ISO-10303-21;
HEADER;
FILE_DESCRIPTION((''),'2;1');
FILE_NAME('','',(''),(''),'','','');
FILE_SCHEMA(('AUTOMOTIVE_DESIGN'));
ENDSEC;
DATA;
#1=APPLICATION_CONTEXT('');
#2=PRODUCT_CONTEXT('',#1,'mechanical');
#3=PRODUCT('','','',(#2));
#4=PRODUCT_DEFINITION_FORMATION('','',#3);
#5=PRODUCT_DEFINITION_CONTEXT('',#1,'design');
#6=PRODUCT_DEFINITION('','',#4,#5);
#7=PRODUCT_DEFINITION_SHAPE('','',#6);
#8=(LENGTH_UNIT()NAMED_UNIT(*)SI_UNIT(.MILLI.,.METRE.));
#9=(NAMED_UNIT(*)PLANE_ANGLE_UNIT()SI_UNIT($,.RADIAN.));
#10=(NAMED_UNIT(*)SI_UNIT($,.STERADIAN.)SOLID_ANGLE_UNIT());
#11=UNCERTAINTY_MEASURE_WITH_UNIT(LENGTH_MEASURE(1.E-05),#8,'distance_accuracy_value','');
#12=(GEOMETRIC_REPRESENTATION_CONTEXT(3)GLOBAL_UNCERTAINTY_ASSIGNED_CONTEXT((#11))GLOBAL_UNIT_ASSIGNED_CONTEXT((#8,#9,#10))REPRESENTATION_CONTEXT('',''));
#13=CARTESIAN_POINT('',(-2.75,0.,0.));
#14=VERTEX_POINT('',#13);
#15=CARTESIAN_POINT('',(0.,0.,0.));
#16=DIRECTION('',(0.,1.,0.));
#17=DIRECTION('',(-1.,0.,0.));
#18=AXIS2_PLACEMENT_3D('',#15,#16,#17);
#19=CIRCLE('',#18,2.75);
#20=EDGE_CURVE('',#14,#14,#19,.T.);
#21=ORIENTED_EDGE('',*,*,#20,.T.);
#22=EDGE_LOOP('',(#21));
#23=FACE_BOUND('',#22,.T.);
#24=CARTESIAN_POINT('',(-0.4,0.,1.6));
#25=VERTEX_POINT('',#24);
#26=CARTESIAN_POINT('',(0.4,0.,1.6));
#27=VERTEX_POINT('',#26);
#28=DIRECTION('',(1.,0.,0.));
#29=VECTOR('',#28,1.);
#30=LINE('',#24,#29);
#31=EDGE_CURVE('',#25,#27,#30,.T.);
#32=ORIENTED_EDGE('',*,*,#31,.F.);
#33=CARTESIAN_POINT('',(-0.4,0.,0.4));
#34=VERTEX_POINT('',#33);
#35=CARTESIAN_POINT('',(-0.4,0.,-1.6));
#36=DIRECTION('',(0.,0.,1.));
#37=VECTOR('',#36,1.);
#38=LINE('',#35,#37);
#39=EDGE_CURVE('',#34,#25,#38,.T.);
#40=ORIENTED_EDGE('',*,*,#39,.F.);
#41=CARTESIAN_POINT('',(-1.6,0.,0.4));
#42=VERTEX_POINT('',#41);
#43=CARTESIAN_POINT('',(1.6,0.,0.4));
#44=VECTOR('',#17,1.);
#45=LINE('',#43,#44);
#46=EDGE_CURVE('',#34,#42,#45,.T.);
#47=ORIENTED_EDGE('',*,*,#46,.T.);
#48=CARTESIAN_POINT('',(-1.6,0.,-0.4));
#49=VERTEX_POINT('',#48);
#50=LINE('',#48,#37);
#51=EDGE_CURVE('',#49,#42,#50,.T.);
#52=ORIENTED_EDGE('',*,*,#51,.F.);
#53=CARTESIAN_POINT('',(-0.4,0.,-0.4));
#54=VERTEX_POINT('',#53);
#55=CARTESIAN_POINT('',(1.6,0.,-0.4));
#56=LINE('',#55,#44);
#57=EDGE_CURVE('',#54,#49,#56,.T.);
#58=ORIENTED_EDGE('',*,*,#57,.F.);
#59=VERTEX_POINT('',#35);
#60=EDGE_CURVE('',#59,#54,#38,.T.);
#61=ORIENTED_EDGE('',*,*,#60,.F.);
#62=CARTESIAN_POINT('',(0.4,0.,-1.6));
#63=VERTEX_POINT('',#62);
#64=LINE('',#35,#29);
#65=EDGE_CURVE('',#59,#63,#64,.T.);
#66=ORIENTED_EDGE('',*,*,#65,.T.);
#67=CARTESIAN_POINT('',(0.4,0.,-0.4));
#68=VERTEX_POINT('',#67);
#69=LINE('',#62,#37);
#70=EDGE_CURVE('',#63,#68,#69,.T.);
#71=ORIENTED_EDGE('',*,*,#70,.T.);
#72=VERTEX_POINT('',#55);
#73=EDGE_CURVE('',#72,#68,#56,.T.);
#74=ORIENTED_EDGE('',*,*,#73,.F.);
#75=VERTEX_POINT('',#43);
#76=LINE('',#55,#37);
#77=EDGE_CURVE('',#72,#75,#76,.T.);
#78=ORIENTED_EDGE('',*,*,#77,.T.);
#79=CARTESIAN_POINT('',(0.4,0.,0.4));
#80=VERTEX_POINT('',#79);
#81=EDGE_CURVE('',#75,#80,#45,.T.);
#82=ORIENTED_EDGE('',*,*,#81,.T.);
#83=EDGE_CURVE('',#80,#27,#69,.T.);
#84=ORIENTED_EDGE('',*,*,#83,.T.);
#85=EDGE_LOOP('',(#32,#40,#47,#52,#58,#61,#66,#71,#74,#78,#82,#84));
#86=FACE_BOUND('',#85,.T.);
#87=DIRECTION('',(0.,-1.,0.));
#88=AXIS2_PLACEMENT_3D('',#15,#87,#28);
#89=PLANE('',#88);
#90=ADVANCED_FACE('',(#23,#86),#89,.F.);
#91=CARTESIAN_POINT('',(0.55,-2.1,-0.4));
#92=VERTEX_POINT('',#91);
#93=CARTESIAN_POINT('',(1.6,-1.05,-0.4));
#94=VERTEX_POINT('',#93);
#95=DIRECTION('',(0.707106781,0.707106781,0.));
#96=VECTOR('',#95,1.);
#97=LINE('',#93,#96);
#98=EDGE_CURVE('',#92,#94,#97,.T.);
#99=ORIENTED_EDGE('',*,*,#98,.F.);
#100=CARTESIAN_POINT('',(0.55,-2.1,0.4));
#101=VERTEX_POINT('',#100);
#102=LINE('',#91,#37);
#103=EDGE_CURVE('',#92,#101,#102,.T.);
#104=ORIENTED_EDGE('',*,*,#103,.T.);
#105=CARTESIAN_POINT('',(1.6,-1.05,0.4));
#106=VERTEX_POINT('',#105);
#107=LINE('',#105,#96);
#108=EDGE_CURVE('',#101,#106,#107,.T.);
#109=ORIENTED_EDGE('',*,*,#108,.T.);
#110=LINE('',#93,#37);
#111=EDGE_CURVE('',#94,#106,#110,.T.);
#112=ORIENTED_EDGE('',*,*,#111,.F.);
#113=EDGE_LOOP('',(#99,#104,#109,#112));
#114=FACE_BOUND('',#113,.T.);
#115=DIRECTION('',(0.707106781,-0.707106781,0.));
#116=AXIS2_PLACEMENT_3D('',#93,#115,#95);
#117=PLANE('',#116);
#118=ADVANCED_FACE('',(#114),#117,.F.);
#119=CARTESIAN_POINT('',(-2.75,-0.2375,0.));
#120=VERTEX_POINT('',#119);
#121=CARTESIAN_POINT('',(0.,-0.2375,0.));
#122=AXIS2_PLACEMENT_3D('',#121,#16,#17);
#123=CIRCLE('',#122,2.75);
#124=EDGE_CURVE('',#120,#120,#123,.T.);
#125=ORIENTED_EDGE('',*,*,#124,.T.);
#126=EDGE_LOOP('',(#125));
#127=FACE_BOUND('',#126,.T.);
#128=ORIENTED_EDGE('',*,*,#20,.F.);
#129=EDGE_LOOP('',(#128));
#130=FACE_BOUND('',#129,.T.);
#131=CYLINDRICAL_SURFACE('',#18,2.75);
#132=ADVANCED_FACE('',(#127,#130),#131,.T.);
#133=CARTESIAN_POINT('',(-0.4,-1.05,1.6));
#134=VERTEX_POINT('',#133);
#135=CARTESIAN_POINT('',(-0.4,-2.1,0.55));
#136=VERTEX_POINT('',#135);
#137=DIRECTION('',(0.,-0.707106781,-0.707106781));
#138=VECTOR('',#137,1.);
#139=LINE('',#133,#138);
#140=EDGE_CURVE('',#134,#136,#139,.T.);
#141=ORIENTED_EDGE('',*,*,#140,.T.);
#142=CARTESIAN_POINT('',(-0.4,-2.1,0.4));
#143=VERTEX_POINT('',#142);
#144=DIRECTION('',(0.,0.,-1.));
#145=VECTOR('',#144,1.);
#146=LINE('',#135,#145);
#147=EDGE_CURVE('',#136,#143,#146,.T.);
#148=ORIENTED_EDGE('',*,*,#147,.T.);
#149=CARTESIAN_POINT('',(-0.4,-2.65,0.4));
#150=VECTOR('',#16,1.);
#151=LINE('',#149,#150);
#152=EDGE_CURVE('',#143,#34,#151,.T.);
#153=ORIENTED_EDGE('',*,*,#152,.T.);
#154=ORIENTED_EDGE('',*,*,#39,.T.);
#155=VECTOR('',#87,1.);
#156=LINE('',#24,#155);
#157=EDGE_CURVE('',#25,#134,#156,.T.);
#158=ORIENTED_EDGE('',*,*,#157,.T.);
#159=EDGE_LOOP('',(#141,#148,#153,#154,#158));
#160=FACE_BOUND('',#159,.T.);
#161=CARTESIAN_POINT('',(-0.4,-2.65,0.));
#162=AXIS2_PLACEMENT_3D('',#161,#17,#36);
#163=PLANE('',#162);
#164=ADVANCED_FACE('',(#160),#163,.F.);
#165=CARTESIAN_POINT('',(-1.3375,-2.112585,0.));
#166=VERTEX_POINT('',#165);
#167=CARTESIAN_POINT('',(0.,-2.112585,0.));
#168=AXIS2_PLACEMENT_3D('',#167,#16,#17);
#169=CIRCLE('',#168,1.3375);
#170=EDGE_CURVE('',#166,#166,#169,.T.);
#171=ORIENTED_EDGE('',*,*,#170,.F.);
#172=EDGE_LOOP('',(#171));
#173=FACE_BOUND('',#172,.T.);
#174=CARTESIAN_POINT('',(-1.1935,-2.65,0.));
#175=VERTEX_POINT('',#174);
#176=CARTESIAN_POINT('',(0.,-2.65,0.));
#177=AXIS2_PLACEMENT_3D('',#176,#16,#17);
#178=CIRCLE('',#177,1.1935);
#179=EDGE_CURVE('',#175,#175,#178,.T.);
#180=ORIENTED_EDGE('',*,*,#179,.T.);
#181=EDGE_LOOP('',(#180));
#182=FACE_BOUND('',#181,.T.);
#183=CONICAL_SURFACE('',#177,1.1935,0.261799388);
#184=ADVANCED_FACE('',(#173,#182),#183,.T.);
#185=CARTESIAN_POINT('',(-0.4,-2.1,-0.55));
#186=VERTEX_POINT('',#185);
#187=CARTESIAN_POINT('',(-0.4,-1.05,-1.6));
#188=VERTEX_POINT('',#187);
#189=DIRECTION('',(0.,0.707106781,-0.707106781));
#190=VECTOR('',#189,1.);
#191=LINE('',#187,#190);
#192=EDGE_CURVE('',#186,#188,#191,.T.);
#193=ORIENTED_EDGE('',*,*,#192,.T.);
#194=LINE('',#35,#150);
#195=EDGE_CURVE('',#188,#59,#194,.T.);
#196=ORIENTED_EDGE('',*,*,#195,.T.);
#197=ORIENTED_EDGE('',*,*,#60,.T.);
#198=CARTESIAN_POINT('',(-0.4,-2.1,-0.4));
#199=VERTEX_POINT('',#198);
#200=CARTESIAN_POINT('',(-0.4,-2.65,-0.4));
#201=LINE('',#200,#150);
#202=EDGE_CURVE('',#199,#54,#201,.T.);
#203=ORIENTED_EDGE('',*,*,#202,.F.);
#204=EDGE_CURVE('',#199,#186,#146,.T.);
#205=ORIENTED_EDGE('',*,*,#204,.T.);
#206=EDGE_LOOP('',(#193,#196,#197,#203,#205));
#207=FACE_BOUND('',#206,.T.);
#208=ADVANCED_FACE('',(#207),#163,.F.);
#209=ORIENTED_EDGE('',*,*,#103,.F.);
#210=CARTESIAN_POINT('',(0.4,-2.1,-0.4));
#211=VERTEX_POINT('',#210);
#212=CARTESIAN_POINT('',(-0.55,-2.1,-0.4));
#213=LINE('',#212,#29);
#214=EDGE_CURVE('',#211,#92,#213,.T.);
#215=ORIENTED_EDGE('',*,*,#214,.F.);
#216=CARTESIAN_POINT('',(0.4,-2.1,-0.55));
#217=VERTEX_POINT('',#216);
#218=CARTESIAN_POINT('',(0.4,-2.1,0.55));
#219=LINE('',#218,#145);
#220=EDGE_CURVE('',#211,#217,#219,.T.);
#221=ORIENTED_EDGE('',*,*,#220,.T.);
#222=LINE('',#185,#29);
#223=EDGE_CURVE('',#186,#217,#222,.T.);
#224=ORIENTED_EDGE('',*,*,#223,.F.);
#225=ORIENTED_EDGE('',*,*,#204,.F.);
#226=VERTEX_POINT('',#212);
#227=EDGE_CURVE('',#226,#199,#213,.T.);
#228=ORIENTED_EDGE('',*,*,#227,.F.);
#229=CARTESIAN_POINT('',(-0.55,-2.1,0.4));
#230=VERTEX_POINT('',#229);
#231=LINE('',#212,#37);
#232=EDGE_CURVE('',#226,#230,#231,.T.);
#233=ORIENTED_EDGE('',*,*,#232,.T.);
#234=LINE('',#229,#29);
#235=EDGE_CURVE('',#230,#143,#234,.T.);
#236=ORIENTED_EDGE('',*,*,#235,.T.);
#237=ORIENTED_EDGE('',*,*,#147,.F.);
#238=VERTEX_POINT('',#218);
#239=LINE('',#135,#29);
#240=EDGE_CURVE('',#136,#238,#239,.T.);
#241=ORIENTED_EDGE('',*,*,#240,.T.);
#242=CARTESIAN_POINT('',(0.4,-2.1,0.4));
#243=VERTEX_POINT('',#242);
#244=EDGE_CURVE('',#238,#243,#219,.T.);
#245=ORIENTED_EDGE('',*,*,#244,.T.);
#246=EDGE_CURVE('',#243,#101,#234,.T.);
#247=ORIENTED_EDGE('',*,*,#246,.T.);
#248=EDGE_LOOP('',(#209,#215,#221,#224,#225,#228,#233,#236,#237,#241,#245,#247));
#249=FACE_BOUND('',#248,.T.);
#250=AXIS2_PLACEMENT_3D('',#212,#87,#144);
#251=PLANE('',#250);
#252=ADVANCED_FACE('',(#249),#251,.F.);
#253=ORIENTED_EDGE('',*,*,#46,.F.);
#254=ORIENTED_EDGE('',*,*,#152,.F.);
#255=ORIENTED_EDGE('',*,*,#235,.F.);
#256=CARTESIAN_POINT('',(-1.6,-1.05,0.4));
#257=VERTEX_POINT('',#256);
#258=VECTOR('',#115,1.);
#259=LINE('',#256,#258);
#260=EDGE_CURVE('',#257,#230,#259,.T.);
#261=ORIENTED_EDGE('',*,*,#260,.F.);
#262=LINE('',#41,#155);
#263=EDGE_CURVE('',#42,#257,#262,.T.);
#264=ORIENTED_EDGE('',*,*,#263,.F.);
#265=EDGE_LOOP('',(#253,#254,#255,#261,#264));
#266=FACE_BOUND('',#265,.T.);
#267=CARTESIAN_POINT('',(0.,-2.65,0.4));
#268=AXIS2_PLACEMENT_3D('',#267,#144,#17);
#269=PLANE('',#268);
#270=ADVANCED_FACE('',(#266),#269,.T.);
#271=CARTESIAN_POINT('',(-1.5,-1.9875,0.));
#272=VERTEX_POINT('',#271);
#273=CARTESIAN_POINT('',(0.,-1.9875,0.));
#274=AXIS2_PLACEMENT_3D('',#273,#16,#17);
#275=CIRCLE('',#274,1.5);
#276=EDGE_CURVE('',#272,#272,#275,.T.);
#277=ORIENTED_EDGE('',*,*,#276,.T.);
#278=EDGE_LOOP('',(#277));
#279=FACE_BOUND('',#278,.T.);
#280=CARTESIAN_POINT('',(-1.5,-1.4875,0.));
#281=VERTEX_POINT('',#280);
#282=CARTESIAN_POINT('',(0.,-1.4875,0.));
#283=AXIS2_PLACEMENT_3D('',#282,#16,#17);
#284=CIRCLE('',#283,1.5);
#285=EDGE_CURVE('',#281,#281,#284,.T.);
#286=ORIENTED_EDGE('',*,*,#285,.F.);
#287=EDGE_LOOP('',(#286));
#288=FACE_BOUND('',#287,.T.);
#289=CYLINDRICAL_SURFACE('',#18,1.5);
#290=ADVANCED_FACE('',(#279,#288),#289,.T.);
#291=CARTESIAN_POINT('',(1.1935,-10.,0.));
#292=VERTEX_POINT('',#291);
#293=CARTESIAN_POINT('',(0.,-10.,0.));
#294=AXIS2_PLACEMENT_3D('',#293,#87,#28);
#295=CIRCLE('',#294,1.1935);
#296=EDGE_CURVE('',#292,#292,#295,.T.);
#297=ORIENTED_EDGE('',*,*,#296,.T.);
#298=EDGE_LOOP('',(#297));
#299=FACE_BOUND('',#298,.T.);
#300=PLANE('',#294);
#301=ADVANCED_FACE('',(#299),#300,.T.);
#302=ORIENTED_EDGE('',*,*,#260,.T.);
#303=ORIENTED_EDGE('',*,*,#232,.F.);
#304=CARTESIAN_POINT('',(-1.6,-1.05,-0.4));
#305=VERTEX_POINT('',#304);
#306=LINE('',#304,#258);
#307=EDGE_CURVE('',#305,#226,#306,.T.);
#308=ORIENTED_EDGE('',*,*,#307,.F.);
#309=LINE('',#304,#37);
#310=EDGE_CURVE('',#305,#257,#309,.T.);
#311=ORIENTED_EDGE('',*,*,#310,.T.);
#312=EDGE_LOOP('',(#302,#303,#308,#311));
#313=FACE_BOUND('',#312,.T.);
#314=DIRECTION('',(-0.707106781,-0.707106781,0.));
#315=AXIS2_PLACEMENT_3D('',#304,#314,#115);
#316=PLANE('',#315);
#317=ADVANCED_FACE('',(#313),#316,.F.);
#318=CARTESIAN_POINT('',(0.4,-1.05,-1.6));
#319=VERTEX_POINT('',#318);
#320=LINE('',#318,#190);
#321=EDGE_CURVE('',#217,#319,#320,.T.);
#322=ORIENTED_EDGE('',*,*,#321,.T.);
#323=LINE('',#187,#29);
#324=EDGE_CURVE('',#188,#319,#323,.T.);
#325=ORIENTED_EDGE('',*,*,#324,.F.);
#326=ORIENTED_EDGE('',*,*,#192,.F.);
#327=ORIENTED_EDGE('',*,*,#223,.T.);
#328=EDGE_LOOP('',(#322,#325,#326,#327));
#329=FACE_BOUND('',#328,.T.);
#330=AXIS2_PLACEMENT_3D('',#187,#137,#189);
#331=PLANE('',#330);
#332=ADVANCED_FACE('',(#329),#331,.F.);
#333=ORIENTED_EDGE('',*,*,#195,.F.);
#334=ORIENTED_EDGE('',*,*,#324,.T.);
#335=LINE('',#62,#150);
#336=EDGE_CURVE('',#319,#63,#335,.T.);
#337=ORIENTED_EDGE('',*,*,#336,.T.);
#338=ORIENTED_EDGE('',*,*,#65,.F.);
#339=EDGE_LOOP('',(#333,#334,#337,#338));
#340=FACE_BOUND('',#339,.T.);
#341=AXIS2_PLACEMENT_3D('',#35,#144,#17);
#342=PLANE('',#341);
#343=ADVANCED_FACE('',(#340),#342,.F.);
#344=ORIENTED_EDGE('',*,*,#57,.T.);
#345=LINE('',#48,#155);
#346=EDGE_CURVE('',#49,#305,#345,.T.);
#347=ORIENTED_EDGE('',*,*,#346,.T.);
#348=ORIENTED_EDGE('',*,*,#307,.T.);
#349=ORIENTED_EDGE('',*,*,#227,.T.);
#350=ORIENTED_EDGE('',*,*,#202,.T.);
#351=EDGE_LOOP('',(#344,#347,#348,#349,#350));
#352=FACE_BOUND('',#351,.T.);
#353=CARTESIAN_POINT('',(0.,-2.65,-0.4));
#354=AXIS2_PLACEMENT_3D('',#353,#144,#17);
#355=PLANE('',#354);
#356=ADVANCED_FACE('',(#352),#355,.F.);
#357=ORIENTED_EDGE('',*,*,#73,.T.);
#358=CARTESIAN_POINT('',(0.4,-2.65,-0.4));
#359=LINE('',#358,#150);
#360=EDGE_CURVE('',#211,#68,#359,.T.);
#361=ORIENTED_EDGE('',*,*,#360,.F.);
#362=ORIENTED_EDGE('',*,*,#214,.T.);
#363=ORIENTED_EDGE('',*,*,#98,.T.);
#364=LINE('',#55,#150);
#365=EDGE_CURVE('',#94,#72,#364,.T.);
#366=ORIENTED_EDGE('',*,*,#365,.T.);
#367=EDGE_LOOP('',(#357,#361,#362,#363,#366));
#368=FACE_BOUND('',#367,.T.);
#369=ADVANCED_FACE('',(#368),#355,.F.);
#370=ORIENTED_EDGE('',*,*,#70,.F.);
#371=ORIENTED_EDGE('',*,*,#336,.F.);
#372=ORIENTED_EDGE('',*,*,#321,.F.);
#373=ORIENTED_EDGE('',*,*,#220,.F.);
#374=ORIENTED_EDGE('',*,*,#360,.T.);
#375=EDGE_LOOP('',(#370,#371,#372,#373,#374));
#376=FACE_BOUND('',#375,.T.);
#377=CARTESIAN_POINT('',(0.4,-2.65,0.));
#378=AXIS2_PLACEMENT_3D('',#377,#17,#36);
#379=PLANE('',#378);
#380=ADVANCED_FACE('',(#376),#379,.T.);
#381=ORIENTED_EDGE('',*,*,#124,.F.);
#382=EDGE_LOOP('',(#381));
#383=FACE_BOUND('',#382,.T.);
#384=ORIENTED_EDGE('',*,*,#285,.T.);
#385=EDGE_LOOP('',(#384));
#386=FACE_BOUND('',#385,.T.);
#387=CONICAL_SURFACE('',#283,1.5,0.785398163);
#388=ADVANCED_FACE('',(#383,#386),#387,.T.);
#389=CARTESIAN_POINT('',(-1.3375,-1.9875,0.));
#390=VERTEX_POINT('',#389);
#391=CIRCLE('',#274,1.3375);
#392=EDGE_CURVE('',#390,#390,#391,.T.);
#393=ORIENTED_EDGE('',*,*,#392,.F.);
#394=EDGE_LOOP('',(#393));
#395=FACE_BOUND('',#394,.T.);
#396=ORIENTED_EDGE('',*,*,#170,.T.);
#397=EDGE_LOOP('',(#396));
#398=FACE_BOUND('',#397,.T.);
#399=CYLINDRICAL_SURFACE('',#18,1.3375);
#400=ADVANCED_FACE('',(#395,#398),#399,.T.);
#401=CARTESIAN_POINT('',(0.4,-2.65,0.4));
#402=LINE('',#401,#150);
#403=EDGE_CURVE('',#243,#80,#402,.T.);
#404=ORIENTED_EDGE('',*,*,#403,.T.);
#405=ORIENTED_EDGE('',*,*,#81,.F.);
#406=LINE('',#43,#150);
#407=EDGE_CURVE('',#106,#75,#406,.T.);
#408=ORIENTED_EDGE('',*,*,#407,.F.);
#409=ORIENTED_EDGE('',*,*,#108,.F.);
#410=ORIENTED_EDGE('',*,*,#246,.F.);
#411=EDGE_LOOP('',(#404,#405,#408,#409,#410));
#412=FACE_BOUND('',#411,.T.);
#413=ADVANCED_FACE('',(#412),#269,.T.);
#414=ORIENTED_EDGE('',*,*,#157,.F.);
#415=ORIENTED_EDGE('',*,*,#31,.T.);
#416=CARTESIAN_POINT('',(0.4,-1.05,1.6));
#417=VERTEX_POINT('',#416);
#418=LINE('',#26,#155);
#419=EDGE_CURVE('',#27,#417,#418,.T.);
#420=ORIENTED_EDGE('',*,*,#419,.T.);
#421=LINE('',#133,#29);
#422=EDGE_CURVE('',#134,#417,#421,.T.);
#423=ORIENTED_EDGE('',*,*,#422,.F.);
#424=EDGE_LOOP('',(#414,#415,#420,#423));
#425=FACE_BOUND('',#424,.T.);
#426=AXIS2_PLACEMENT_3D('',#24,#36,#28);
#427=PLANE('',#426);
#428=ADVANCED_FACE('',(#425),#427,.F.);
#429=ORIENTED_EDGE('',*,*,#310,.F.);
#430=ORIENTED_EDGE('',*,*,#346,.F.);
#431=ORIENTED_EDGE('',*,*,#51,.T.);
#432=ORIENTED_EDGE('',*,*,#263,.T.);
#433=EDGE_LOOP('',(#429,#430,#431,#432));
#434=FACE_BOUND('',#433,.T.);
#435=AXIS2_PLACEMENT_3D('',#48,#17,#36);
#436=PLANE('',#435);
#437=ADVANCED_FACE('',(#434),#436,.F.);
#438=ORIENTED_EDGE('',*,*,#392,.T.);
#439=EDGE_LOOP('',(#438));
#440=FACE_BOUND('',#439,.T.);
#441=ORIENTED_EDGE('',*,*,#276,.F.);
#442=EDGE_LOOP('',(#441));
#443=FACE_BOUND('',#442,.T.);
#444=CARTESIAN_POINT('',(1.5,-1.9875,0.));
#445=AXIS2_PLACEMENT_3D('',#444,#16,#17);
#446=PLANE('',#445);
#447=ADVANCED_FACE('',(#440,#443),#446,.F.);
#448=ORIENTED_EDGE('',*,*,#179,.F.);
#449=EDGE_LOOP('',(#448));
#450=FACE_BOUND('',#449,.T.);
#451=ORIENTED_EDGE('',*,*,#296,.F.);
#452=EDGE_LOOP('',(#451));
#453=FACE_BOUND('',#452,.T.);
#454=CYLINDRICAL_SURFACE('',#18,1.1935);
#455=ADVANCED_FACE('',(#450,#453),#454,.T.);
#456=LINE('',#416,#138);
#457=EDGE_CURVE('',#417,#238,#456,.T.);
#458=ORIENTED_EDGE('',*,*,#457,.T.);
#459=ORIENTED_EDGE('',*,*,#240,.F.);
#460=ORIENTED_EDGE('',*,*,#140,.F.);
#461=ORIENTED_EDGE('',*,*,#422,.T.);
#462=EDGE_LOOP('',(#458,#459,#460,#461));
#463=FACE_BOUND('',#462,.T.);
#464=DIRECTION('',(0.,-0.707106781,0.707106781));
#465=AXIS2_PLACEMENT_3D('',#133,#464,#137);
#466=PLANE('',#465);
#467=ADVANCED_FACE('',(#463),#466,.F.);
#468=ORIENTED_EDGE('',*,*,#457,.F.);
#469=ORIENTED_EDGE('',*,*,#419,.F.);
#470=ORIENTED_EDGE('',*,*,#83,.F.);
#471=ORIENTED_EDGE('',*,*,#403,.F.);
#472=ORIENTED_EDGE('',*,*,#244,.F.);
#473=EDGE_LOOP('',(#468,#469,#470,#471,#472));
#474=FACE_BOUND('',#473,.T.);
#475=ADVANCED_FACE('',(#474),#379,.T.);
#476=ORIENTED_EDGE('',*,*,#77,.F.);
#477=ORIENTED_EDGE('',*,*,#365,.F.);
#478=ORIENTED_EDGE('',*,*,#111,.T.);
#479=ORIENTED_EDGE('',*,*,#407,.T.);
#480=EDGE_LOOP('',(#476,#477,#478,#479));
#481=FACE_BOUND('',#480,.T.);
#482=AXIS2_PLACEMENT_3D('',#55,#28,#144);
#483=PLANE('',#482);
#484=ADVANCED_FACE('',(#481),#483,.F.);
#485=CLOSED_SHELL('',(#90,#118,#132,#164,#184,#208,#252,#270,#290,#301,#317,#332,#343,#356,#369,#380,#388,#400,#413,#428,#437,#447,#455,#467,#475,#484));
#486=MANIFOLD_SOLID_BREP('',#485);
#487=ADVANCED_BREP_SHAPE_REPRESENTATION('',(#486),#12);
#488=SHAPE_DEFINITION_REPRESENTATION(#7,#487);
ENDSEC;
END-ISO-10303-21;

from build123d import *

# Parameters (mm, degrees)
KREUZSCHLITZ1_H_DEPTH      = 0.4
KREUZSCHLITZ1_H_DEPTH_BACK = 0.4
KREUZSCHLITZ2_H_DEPTH      = 0.4
KREUZSCHLITZ2_H_DEPTH_BACK = 0.4
BOSS_EXTRUDE1_START        = 2
SKETCH1_R                  = 1.1935
BOSS_EXTRUDE1_DEPTH        = 2


with BuildPart() as part:
    # Skizze1 → Basis-Rotation (revolve)
    with BuildSketch(Plane.XY, mode=Mode.PRIVATE) as basis_rotation_sk:
        Polygon((0, 0), (2.75, 0), (2.75, -0.2375), (1.5, -1.4875), (1.5, -1.9875), (1.3375, -1.9875), (1.3375, -2.112584684), (1.1935, -2.65), (1.1935, -8), (0, -8), align=None)
    revolve(basis_rotation_sk.sketch.rotate(Axis((0, 0, 0), (0, -1, 0)), 180), axis=Axis((0, 0, 0), (0, -1, 0)))

    # Skizze2 → Kreuzschlitz1 H (cut, two sides: drawn at the far end of the back side and taken through both)
    with BuildSketch(Plane.XY.offset(-KREUZSCHLITZ1_H_DEPTH_BACK)):
        Polygon((-0.55, -2.1), (0.55, -2.1), (1.6, -1.05), (1.6, 0), (-1.6, 0), (-1.6, -1.05), align=None)
    extrude(amount=KREUZSCHLITZ1_H_DEPTH + KREUZSCHLITZ1_H_DEPTH_BACK, mode=Mode.SUBTRACT)

    # Skizze3 → Kreuzschlitz2 H (cut, two sides: drawn at the far end of the back side and taken through both)
    with BuildSketch(Plane(origin=(0, 0, 0), x_dir=(0, 0, -1), z_dir=(1, 0, 0)).offset(-KREUZSCHLITZ2_H_DEPTH_BACK)):
        Polygon((-0.55, -2.1), (0.55, -2.1), (1.6, -1.05), (1.6, 0), (-1.6, 0), (-1.6, -1.05), align=None)
    extrude(amount=KREUZSCHLITZ2_H_DEPTH + KREUZSCHLITZ2_H_DEPTH_BACK, mode=Mode.SUBTRACT)

    # Sketch1 → Boss-Extrude1 (add)
    with BuildSketch(Plane.XZ.offset(8).offset(BOSS_EXTRUDE1_START)):
        with Locations(Location((0, 0, 0), (0, 0, 180))):
            Circle(SKETCH1_R)
    extrude(amount=-BOSS_EXTRUDE1_DEPTH)


solid = part.part
